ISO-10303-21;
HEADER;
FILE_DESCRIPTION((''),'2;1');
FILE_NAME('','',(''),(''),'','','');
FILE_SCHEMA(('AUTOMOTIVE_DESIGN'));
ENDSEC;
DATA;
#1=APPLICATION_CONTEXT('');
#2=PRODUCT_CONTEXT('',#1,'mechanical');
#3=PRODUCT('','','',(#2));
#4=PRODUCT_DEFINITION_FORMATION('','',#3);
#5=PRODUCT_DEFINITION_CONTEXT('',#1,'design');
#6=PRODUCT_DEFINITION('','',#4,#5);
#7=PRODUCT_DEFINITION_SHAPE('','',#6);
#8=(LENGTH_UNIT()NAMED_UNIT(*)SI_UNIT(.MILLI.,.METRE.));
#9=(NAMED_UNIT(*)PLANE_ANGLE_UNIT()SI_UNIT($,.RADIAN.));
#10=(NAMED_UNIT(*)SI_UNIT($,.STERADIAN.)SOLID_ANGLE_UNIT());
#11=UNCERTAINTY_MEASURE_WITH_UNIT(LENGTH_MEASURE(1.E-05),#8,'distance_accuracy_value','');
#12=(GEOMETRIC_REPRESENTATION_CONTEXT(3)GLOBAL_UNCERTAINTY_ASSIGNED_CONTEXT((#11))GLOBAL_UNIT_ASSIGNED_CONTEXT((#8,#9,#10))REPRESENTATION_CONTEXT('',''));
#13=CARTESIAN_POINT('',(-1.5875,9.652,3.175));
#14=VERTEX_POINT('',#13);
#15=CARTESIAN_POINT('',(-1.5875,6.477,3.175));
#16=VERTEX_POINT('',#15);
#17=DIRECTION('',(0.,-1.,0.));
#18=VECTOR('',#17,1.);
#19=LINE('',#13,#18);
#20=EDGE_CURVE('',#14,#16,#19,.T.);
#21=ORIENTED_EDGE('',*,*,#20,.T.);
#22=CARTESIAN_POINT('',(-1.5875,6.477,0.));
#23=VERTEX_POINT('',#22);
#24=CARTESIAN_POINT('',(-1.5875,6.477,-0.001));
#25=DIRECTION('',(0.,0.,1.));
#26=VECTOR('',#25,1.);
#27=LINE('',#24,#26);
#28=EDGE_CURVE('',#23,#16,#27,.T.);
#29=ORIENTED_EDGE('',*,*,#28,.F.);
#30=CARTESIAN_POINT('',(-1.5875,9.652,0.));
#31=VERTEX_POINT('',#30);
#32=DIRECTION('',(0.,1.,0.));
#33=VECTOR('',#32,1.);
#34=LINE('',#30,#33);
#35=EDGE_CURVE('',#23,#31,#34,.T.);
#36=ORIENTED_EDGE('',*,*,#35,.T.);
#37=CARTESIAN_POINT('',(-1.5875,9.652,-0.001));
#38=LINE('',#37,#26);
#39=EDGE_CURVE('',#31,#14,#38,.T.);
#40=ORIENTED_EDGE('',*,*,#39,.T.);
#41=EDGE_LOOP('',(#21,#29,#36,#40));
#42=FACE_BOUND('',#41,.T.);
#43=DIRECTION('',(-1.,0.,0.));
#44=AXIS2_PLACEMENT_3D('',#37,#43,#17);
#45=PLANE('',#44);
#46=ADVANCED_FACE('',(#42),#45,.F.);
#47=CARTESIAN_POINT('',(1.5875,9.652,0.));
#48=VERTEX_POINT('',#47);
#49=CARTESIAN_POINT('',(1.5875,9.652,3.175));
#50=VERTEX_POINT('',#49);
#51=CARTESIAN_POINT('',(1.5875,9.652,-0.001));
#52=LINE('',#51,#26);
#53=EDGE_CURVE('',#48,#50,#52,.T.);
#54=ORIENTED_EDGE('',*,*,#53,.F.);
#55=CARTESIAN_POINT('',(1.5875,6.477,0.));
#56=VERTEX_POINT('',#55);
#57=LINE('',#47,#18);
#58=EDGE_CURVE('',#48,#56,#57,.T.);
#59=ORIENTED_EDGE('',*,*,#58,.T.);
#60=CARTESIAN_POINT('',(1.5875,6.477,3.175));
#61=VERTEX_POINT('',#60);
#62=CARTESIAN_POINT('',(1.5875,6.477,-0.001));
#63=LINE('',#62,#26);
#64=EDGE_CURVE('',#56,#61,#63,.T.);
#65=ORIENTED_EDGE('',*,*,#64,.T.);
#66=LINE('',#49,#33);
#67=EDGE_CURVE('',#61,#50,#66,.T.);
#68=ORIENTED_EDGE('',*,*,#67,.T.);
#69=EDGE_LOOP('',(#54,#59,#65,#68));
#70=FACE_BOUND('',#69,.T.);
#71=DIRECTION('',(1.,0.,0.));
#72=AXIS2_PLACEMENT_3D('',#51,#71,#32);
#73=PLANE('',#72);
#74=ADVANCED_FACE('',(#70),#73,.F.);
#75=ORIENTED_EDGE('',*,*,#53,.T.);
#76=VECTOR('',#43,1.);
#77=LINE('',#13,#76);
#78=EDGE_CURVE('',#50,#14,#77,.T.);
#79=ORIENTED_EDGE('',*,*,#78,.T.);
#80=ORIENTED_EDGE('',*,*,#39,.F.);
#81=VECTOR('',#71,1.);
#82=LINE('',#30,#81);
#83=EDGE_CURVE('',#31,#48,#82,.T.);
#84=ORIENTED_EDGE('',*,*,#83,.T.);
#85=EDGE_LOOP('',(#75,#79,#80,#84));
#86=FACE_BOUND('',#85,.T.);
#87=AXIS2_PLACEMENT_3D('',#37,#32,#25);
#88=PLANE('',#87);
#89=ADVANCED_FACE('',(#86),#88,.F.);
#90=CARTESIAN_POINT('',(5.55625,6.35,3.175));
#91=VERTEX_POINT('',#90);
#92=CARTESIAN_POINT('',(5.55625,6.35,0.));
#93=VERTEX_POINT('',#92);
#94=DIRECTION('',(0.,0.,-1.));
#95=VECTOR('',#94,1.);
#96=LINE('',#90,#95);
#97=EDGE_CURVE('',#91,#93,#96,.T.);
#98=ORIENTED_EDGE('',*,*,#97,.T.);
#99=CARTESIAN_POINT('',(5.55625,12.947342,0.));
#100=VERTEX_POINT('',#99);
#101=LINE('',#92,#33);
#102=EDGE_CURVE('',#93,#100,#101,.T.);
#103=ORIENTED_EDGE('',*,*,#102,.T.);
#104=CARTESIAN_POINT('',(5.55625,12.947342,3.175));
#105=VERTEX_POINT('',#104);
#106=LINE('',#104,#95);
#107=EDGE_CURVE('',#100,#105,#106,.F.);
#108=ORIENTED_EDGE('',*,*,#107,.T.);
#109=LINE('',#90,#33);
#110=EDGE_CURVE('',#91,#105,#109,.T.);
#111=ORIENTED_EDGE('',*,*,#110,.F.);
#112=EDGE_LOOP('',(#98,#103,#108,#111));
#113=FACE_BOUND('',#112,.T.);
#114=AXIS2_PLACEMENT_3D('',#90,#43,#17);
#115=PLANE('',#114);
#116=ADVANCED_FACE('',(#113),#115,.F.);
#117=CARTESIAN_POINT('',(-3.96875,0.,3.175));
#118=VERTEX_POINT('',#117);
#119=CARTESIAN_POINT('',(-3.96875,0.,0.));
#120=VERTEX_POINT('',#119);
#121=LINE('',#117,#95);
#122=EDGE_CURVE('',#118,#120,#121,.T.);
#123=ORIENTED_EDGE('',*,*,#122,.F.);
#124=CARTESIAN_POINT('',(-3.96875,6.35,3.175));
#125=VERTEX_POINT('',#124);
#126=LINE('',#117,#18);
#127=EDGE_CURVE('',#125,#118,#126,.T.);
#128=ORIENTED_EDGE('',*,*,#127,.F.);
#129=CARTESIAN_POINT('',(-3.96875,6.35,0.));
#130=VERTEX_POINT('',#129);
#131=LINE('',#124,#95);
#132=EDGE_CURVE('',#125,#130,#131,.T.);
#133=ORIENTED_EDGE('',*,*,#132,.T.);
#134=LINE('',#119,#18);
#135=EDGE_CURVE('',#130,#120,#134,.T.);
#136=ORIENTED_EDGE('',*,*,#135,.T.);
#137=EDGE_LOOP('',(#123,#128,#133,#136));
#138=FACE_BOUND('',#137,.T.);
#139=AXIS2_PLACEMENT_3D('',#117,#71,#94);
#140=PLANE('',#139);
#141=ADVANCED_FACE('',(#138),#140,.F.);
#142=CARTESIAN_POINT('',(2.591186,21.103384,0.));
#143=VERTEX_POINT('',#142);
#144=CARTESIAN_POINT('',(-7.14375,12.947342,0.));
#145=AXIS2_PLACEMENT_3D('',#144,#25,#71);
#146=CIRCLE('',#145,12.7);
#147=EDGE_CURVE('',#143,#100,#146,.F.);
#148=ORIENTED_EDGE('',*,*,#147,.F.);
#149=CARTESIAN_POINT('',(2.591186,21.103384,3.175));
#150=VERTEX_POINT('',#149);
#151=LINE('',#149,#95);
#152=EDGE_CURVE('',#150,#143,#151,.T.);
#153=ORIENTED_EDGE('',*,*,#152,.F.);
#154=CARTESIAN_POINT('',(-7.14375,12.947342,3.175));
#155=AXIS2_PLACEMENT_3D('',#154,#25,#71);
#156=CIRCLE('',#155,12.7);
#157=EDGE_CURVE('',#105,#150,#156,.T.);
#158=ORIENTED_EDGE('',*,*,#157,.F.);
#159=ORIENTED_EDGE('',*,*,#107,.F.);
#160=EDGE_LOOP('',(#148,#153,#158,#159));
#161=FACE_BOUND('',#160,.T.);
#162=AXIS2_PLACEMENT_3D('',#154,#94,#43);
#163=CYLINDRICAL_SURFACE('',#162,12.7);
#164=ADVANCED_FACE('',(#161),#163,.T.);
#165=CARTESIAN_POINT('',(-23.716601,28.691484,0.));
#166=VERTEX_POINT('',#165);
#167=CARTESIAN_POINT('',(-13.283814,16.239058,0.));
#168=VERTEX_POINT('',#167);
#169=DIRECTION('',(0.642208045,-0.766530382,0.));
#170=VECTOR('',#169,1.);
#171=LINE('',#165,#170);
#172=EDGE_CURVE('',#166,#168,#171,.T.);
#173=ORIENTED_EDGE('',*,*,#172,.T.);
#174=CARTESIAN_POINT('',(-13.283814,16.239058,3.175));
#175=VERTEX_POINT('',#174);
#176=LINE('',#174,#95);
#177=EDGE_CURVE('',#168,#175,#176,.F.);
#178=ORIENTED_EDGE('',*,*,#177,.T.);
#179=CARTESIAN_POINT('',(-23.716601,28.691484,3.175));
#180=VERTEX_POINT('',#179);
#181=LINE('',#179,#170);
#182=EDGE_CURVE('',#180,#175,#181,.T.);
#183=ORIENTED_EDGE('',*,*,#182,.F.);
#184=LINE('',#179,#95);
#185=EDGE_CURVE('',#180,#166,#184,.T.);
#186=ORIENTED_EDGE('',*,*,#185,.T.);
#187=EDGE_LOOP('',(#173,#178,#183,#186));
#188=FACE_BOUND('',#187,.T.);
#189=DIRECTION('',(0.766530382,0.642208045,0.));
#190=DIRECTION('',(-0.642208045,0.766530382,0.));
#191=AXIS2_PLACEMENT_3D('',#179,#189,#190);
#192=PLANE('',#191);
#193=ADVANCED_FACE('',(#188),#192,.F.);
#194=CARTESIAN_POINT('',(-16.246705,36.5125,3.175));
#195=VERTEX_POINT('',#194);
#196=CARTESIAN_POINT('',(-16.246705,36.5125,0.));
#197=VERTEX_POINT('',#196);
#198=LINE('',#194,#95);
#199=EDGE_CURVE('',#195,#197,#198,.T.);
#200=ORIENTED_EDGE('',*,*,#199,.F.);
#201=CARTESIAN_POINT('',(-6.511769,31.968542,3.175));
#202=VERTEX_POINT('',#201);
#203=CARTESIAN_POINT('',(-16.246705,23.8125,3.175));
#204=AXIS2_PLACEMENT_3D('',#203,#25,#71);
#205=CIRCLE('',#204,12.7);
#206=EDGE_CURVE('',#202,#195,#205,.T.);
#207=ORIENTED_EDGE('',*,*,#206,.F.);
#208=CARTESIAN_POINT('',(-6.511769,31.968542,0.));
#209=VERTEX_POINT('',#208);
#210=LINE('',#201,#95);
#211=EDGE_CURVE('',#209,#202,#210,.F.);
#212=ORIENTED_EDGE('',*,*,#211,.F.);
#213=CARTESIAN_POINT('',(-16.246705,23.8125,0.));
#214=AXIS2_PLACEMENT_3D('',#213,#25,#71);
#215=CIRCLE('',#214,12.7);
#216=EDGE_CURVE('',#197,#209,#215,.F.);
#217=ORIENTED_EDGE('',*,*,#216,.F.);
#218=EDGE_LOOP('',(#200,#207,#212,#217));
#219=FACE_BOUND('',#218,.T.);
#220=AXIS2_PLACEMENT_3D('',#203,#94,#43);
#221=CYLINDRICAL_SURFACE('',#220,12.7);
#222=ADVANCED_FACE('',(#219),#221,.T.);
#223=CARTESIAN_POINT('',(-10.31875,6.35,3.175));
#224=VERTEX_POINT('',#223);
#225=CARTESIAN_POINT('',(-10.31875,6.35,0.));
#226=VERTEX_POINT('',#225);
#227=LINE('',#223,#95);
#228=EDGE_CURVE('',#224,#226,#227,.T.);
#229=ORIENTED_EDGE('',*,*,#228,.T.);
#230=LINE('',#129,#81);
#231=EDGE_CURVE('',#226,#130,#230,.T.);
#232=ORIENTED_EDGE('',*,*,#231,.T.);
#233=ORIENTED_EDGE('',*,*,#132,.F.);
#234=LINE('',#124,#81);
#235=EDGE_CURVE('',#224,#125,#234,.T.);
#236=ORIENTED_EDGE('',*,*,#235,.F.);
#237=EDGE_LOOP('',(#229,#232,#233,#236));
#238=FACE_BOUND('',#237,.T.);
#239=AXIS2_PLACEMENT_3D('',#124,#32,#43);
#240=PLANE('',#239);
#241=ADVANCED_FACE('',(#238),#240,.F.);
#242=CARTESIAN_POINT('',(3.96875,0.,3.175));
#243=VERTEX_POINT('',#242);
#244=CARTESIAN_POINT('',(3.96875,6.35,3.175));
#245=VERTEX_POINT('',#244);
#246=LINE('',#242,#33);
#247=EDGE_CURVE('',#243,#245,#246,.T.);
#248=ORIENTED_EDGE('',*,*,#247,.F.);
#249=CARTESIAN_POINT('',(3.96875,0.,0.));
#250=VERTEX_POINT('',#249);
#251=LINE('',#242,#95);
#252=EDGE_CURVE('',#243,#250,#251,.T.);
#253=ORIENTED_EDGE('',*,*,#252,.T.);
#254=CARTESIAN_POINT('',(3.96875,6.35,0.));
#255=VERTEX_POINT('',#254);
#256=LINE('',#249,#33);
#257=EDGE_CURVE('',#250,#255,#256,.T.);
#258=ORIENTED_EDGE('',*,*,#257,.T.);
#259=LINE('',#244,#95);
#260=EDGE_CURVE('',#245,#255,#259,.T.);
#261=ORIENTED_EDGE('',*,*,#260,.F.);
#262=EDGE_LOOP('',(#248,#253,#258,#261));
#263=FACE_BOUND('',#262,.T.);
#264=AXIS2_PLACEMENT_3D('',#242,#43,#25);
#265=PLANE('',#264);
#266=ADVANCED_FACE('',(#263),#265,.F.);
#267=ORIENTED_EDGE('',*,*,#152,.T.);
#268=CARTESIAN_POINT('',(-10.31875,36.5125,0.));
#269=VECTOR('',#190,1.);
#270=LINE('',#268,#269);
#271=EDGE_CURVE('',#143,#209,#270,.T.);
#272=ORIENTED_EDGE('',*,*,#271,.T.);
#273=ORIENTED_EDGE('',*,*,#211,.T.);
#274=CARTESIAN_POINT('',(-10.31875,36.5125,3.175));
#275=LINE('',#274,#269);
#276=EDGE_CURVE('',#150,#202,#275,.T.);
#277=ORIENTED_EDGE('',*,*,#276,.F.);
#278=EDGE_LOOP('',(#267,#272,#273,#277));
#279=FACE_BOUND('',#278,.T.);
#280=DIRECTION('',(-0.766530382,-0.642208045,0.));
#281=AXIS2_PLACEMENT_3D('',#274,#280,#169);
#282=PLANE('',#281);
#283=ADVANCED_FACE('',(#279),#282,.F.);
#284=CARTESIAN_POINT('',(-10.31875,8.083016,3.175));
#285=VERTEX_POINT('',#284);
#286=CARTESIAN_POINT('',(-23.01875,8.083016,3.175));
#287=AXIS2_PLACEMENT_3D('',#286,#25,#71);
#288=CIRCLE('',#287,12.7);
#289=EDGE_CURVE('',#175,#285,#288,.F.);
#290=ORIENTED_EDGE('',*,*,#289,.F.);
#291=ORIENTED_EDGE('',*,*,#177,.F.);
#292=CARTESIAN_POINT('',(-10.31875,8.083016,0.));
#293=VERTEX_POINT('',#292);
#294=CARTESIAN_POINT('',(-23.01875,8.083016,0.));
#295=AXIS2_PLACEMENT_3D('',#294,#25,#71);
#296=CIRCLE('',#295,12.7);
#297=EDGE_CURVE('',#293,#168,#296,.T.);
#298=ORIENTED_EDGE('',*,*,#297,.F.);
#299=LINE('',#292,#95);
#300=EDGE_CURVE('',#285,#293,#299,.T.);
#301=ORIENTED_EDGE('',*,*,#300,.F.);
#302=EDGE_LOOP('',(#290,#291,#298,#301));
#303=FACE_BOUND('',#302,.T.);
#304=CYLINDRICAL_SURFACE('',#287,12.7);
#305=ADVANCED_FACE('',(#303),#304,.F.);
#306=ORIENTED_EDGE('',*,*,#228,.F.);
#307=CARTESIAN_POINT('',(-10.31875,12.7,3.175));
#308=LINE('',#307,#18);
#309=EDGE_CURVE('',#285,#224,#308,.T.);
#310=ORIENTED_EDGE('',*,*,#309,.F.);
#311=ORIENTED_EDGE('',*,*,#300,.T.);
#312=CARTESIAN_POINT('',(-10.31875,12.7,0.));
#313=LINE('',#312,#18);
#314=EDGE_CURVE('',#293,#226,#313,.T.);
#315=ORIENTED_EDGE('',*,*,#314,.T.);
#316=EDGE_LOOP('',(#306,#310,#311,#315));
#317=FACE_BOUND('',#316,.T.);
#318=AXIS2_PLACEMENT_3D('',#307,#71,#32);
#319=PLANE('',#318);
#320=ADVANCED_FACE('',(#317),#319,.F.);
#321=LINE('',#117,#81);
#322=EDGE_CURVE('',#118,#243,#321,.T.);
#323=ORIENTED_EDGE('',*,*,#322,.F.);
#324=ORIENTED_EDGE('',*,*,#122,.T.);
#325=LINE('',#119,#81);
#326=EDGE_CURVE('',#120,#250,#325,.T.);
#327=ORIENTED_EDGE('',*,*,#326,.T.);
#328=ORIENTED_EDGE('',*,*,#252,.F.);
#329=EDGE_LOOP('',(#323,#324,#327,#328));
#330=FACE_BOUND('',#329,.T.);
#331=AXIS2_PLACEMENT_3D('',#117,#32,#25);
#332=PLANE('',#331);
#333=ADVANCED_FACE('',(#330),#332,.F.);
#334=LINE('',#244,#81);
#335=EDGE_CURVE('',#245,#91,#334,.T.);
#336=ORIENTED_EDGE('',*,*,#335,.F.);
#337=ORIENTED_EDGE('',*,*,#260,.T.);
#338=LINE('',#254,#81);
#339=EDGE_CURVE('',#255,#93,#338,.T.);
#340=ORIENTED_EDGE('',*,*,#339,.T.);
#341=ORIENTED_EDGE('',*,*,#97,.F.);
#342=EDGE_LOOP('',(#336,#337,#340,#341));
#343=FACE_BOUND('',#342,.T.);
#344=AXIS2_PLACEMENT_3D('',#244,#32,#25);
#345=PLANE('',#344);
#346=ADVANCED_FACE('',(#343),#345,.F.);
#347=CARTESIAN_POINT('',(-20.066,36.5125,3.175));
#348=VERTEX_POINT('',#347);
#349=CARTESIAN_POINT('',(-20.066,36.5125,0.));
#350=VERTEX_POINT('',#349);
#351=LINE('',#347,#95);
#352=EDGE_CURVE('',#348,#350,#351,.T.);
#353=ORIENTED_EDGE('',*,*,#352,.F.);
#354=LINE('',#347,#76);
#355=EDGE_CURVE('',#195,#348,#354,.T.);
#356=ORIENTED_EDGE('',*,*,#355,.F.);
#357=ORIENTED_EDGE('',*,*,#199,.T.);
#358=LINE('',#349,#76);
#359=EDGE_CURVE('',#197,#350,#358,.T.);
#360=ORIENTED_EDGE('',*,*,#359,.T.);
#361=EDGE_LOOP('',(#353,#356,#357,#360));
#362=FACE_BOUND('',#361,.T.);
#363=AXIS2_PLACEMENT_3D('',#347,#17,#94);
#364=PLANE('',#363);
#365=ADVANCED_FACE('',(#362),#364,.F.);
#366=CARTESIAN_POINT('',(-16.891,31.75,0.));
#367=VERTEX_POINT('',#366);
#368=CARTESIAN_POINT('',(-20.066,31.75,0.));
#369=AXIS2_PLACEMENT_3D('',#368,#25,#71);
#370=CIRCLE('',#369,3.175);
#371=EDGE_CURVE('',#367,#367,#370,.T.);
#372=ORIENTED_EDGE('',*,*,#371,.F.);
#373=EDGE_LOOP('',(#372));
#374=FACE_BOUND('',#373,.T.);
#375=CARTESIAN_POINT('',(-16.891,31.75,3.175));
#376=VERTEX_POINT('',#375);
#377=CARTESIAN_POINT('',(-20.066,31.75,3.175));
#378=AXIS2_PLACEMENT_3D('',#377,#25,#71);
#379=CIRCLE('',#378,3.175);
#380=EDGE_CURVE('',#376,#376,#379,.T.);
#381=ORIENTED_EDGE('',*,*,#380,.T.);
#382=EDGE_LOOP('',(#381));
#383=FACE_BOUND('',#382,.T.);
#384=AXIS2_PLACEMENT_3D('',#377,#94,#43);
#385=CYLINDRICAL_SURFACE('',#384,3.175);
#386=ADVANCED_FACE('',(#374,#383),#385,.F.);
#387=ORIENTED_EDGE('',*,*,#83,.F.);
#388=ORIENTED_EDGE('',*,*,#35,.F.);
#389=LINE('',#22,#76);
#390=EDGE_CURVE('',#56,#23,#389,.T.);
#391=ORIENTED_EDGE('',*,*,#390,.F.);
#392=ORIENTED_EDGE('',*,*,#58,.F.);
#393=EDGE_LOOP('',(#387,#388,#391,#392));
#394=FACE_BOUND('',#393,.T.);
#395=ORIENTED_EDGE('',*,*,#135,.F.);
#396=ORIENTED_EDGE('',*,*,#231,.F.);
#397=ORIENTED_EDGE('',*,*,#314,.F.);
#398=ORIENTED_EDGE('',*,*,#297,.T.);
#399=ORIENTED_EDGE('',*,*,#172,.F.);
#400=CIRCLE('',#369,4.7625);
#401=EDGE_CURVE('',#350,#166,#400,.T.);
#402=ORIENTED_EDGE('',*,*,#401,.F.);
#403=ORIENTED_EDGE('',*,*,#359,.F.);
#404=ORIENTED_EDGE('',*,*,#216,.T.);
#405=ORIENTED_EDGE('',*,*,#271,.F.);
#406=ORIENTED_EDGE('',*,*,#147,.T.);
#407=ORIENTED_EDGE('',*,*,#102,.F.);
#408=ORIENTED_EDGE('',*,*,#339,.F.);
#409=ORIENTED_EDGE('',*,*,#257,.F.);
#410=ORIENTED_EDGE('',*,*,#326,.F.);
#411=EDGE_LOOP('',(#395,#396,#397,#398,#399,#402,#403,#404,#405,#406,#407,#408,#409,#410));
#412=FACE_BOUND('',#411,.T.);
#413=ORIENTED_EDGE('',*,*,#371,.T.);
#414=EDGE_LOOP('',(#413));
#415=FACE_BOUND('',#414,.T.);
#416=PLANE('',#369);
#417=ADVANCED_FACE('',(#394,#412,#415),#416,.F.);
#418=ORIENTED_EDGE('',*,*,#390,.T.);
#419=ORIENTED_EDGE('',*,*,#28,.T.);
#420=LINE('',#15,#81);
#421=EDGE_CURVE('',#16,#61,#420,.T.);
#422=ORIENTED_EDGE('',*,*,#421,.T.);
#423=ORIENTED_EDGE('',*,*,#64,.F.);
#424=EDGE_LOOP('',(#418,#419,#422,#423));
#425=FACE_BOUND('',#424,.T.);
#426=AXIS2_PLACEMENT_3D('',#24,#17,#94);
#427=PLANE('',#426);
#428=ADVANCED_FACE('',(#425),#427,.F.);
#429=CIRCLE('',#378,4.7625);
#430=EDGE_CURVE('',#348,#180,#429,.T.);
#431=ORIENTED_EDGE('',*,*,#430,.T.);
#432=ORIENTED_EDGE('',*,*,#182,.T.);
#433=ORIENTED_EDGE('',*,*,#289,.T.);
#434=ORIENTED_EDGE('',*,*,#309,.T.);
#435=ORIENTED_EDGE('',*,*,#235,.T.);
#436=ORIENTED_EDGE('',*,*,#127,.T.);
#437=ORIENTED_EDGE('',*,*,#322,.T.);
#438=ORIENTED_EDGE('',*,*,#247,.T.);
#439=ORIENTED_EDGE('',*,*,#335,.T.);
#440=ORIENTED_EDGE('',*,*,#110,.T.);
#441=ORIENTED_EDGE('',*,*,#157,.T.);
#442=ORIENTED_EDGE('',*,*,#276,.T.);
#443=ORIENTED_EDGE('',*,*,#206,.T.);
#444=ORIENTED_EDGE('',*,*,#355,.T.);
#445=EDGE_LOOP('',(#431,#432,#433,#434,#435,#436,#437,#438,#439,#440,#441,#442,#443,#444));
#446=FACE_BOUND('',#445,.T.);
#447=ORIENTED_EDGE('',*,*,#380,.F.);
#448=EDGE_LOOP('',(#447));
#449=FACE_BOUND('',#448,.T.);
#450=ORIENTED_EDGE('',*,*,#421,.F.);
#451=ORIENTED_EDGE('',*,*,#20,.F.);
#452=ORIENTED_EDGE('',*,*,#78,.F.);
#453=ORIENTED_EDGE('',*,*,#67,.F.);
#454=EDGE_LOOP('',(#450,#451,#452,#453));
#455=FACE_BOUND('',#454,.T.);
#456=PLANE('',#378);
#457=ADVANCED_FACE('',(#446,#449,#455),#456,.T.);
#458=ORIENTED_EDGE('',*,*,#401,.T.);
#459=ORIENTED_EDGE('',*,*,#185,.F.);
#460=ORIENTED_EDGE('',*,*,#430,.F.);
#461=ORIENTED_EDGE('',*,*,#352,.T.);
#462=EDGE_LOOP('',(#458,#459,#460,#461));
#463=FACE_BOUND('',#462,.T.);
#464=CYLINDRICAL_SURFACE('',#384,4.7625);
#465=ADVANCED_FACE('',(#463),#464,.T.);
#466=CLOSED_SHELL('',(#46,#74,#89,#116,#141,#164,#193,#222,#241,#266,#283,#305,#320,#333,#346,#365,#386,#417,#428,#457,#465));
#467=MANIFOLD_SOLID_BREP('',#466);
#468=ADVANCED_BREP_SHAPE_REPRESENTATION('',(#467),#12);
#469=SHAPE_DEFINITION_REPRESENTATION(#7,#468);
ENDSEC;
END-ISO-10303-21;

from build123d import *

# Parameters (mm, degrees)
SKETCH1_R           = 3.175
BOSS_EXTRUDE1_DEPTH = 3.175
CUT_EXTRUDE1_REACH  = 5.175
SKETCH2_W           = 3.175
SKETCH2_H           = 3.175
FILLET1_R           = 12.7


with BuildPart() as part:
    # Sketch1 → Boss-Extrude1 (new body)
    with BuildSketch(Plane.XY):
        with BuildLine():
            Line((-3.96875, 0), (3.96875, 0))
            Line((3.96875, 0), (3.96875, 6.35))
            Line((3.96875, 6.35), (5.55625, 6.35))
            Line((5.55625, 6.35), (5.55625, 17.564325962))
            Line((5.55625, 17.564325962), (-10.31875, 36.5125))
            Line((-10.31875, 36.5125), (-20.066, 36.5125))
            ThreePointArc((-20.066, 36.5125), (-24.38152939, 33.764351592), (-23.716600944, 28.691484184))
            Line((-23.716600944, 28.691484184), (-10.31875, 12.7))
            Line((-10.31875, 12.7), (-10.31875, 6.35))
            Line((-10.31875, 6.35), (-3.96875, 6.35))
            Line((-3.96875, 6.35), (-3.96875, 0))
        make_face()
        with Locations((-20.066, 31.75)):
            Circle(SKETCH1_R, mode=Mode.SUBTRACT)
    extrude(amount=BOSS_EXTRUDE1_DEPTH)

    # Sketch2 → Cut-Extrude1 (cut, up to next)
    with BuildSketch(Plane.XY.offset(3.175), mode=Mode.PRIVATE) as cut_extrude1_sk1:
        with Locations((0, 8.0645)):
            Rectangle(SKETCH2_W, SKETCH2_H)
    cut_extrude1_tool1 = extrude(cut_extrude1_sk1.sketch, amount=-CUT_EXTRUDE1_REACH, mode=Mode.PRIVATE) & part.part
    add(cut_extrude1_tool1.solids().sort_by_distance((0, 8.0645, 3.175))[0], mode=Mode.SUBTRACT)

    # Fillet1
    fillet1_edges = [part.edges().sort_by_distance(p)[0] for p in [
        (-10.31875, 12.7, 1.5875),
        (-10.31875, 36.5125, 1.5875),
        (5.55625, 17.564325962, 1.5875),
    ]]
    fillet(fillet1_edges, radius=FILLET1_R)


solid = part.part
